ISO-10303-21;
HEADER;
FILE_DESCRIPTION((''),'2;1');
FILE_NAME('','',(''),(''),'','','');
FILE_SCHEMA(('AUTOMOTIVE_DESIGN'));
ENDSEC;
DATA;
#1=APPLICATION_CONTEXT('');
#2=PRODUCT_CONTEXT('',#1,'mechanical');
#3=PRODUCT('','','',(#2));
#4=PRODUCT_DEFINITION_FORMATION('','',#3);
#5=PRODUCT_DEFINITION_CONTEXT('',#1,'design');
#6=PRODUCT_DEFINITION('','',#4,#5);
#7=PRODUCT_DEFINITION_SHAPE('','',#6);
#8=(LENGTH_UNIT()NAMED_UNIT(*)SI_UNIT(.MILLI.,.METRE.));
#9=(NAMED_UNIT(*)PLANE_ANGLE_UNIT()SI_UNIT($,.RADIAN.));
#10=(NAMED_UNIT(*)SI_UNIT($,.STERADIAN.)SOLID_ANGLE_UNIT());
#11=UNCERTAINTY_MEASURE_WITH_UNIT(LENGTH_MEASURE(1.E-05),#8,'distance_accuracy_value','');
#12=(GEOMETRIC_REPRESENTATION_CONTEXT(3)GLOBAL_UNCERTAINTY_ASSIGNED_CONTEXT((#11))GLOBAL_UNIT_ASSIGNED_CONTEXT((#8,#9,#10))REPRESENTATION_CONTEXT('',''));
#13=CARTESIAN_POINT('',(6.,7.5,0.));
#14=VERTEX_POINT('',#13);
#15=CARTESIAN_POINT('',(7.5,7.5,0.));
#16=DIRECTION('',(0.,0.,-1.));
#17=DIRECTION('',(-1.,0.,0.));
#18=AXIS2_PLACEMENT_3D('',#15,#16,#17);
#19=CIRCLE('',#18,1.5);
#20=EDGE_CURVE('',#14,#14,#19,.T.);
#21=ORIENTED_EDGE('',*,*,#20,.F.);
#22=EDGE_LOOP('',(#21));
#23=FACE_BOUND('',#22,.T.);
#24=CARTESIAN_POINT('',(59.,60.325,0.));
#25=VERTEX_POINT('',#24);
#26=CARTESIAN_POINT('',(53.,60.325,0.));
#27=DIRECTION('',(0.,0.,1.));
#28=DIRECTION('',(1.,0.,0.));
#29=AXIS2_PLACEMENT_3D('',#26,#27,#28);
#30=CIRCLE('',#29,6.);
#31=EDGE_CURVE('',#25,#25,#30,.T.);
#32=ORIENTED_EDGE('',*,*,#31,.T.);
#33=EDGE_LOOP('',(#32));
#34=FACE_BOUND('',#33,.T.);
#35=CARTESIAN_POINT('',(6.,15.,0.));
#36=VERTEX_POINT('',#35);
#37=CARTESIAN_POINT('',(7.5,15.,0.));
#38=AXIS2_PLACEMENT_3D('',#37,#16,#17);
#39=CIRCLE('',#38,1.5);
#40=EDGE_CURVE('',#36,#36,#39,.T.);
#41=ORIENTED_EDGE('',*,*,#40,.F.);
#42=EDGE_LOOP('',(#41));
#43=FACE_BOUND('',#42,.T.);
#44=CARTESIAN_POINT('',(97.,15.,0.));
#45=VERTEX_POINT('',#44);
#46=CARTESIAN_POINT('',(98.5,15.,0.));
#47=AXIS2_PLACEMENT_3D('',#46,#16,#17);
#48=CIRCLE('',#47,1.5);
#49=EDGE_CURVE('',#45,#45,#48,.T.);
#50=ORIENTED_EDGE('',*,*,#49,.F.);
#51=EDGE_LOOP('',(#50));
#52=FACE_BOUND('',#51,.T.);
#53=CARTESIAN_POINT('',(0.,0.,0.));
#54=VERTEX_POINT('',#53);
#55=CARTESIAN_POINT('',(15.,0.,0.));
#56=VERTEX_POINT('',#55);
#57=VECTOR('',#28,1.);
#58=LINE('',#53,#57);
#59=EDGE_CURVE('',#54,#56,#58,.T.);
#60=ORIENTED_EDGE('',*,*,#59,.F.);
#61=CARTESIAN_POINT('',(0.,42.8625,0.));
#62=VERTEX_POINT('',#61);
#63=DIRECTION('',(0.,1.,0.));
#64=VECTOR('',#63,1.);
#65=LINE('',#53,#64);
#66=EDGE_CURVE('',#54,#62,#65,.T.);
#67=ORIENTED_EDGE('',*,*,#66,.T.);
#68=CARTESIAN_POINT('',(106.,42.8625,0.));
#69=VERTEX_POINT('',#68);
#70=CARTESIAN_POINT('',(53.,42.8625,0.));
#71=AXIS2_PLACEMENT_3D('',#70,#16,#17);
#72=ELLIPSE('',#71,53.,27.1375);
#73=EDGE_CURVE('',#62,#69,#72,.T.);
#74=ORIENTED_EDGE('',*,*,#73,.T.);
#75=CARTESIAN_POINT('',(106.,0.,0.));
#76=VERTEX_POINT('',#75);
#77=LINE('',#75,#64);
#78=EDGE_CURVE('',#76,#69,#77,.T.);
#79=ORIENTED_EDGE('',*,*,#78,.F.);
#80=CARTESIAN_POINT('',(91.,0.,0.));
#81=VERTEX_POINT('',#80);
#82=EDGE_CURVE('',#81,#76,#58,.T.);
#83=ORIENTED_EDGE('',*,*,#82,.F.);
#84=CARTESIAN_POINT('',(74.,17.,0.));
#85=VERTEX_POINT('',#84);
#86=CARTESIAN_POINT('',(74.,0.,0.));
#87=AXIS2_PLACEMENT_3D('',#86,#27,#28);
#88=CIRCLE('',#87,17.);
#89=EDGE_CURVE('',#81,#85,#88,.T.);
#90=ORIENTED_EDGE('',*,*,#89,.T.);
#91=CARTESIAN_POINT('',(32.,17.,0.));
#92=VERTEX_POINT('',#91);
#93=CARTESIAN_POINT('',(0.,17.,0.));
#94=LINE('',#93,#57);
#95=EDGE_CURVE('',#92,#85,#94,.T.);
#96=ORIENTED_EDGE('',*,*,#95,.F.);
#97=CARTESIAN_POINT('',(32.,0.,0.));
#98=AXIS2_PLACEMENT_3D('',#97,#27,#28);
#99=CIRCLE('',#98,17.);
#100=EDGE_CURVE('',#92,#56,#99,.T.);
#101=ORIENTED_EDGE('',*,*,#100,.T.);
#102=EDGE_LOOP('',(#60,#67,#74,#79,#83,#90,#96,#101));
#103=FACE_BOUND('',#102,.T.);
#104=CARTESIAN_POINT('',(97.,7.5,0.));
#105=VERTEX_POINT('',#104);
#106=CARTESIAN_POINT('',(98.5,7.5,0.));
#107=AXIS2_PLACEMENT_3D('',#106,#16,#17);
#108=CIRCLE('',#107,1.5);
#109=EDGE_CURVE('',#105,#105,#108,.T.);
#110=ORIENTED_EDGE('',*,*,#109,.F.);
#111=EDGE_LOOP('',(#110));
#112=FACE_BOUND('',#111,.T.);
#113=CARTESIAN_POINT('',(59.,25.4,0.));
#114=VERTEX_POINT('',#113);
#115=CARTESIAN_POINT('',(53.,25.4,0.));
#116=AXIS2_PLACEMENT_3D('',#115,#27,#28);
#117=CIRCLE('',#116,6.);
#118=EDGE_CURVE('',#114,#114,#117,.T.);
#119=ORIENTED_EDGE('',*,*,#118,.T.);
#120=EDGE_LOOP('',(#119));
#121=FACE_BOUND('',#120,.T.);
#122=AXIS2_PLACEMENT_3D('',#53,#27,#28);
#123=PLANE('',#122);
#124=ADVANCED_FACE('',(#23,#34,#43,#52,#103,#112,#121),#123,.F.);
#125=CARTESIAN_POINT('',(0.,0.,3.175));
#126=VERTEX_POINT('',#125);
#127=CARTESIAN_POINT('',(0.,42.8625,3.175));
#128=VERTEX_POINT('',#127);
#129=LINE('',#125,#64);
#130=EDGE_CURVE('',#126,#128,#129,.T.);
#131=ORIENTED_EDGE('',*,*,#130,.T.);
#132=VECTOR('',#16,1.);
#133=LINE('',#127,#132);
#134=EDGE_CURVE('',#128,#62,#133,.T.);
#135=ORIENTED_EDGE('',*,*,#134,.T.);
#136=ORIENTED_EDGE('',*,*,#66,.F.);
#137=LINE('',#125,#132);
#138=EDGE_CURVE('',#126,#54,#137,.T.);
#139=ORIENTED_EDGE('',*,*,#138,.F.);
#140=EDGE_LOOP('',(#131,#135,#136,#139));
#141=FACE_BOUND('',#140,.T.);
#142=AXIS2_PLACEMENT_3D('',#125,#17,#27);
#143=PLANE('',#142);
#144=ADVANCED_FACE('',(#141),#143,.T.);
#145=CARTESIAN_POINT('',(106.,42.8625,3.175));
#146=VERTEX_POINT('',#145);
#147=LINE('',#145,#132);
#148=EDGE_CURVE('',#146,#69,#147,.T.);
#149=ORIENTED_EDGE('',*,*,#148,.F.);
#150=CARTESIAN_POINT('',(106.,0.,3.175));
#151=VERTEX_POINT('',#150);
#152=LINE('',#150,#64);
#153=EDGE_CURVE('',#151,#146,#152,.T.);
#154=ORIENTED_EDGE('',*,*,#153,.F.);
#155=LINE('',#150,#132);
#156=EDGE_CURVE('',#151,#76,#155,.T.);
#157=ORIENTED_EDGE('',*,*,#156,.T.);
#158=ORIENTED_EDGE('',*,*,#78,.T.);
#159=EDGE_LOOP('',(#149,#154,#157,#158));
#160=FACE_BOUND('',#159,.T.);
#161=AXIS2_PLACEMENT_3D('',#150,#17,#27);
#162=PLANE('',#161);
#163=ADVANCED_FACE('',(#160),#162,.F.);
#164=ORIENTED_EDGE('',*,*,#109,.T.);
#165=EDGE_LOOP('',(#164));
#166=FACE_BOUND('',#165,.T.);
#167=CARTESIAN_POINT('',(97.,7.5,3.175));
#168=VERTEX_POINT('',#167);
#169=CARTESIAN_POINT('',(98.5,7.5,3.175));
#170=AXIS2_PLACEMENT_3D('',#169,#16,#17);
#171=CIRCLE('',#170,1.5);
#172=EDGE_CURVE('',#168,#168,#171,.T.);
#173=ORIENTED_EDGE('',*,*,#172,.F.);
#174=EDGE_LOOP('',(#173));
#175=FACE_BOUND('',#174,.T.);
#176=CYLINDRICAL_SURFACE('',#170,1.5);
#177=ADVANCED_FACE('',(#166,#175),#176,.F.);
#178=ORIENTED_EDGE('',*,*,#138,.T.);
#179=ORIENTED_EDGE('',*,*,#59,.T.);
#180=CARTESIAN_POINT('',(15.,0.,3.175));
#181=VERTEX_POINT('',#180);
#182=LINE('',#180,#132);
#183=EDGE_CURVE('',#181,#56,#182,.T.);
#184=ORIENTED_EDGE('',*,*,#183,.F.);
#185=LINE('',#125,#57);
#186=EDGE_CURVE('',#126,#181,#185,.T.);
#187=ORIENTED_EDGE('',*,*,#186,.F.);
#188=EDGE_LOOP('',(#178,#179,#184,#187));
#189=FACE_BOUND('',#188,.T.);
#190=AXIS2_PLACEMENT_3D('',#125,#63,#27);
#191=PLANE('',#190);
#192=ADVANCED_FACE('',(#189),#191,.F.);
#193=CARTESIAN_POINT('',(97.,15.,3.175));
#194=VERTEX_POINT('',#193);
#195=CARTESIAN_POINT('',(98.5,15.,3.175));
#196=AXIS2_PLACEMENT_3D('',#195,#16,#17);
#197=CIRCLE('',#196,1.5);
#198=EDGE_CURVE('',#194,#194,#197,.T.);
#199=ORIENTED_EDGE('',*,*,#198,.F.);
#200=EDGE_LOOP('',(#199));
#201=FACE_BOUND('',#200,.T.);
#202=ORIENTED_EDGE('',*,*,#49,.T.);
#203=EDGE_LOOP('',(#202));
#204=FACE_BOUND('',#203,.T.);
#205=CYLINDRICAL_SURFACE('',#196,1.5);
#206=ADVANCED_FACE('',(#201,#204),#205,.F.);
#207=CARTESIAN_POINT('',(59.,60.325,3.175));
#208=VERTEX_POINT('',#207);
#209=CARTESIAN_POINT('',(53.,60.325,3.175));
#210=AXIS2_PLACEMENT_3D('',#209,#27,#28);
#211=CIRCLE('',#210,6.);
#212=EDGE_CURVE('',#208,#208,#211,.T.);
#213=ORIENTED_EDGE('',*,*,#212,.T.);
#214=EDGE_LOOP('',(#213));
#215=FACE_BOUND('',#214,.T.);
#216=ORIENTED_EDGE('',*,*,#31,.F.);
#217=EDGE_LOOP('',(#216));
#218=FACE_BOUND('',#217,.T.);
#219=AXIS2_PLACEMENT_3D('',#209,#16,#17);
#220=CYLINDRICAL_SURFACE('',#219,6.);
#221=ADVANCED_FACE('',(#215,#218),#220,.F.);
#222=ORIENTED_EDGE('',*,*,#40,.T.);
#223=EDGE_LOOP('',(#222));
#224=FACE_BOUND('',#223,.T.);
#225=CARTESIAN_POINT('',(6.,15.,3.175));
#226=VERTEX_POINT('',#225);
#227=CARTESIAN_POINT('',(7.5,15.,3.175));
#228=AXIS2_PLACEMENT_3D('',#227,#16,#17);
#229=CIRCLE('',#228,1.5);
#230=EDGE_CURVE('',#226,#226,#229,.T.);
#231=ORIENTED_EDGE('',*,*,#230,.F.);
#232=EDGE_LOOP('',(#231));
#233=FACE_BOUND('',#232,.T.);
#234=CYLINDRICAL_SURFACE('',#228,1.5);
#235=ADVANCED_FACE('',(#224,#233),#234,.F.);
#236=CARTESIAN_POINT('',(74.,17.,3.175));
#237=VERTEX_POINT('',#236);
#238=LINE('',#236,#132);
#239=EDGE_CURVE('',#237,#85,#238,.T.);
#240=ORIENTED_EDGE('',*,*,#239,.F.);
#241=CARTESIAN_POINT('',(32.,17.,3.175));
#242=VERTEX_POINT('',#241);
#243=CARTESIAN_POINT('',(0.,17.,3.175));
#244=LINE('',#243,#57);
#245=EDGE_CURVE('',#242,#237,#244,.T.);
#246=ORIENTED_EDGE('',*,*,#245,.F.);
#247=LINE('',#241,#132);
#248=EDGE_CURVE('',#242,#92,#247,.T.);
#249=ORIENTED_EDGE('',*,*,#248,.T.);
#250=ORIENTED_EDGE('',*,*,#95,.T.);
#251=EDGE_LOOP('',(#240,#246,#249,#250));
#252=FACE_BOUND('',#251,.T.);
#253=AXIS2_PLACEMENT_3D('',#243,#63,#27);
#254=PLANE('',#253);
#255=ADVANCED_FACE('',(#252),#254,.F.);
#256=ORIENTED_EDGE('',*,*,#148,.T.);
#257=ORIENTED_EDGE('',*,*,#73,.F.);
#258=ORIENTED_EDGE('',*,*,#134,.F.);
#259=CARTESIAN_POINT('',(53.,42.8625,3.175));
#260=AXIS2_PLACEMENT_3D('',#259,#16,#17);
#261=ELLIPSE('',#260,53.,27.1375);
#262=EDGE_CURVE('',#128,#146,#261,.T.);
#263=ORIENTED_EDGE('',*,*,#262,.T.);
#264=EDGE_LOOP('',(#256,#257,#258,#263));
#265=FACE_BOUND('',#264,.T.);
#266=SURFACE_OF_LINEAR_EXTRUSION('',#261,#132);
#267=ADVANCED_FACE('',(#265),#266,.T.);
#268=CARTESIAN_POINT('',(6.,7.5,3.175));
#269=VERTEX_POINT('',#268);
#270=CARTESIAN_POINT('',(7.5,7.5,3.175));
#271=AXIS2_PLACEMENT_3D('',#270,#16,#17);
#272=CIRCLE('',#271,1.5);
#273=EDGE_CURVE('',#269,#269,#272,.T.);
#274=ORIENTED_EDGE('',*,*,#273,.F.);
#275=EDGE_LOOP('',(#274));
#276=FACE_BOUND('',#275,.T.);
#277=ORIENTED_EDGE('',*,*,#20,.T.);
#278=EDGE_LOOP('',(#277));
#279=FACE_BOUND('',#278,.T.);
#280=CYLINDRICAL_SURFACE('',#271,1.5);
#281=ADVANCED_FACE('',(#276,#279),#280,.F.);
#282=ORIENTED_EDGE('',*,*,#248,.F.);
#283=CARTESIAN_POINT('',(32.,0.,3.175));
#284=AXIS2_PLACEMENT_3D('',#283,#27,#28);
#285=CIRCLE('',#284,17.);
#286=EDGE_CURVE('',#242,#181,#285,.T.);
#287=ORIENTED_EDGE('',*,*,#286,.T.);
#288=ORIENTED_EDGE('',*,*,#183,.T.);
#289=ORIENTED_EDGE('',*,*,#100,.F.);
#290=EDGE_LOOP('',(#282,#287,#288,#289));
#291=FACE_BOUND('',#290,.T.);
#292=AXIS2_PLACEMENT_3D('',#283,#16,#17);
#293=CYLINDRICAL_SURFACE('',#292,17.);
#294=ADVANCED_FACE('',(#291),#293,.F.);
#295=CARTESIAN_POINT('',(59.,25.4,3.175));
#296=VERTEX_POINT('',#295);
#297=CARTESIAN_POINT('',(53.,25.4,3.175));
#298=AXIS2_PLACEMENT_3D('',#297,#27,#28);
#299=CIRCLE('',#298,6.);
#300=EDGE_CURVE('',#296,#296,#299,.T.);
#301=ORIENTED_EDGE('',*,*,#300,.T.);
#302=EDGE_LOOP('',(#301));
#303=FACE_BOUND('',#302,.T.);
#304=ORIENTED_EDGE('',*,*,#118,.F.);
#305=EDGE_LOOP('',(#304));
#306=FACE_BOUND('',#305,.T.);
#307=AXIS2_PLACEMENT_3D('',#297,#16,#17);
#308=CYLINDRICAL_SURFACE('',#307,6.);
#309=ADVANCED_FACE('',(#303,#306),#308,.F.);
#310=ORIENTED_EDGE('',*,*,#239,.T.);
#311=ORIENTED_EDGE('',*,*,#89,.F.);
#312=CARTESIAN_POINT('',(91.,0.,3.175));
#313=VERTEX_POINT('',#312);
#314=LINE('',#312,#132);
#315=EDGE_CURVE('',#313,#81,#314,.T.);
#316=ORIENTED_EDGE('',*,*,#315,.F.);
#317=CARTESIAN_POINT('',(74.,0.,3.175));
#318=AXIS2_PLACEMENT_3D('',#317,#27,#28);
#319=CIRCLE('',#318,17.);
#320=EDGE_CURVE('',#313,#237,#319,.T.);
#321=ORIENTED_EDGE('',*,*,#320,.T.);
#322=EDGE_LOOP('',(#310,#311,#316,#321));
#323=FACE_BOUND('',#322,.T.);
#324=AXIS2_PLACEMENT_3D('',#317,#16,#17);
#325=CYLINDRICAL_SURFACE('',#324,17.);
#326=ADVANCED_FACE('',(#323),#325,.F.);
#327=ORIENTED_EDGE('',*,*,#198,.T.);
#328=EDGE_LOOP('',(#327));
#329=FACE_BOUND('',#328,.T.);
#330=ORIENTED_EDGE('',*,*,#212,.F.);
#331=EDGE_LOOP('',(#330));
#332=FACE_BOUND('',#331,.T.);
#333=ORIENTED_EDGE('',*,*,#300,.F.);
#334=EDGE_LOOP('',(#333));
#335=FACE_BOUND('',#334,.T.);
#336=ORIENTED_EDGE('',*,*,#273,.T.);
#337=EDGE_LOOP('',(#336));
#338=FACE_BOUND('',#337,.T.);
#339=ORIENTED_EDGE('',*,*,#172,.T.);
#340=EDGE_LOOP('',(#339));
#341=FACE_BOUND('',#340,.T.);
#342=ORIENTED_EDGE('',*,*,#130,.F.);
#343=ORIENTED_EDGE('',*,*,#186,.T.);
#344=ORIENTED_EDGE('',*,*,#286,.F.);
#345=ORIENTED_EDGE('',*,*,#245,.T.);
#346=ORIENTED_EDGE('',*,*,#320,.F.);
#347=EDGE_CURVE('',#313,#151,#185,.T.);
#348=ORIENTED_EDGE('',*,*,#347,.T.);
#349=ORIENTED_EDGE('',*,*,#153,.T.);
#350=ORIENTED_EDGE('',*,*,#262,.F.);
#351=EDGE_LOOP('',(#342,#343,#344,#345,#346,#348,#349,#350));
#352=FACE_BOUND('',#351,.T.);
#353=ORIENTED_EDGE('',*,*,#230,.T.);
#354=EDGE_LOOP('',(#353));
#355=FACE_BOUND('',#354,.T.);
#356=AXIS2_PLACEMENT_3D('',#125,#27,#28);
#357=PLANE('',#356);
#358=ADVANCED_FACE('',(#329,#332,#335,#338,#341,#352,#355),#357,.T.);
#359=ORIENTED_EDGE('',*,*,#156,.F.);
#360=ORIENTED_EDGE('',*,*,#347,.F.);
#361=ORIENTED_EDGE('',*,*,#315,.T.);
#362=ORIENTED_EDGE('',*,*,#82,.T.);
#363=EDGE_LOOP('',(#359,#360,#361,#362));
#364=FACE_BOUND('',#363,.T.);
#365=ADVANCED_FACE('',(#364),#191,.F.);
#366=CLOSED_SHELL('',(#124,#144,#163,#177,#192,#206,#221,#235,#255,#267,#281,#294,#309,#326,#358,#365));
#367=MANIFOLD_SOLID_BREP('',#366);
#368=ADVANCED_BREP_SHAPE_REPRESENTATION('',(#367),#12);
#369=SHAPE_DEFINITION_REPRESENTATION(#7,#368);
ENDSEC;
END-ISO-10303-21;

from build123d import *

# Parameters (mm, degrees)
SKETCH1_R           = 6
BOSS_EXTRUDE1_DEPTH = 3.175
SKETCH4_R           = 1.5
CUT_EXTRUDE2_DEPTH  = 128.067228761
CUT_EXTRUDE4_DEPTH  = 128.067228761


with BuildPart() as part:
    # Sketch1 → Boss-Extrude1 (new body)
    with BuildSketch(Plane.XY):
        with BuildLine():
            ThreePointArc((15, 0), (19.97918472, 12.02081528), (32, 17))
            Line((32, 17), (53, 17))
            Line((53, 17), (74, 17))
            ThreePointArc((74, 17), (86.02081528, 12.02081528), (91, 0))
            Line((91, 0), (106, 0))
            Line((106, 0), (106, 70))
            Line((106, 70), (0, 70))
            Line((0, 70), (0, 0))
            Line((0, 0), (15, 0))
        make_face()
        with Locations((53, 25.4)):
            Circle(SKETCH1_R, mode=Mode.SUBTRACT)
        with Locations((53, 60.325)):
            Circle(SKETCH1_R, mode=Mode.SUBTRACT)
    extrude(amount=BOSS_EXTRUDE1_DEPTH)

    # Sketch4 → Cut-Extrude2 (cut, through all)
    with BuildSketch(Plane(origin=(0, 0, 0), x_dir=(-1, 0, 0), z_dir=(0, 0, -1))):
        with Locations((-7.5, 15)):
            Circle(SKETCH4_R)
        with Locations((-7.5, 7.5)):
            Circle(SKETCH4_R)
        with Locations((-98.5, 7.5)):
            Circle(SKETCH4_R)
        with Locations((-98.5, 15)):
            Circle(SKETCH4_R)
    extrude(amount=-CUT_EXTRUDE2_DEPTH, mode=Mode.SUBTRACT)

    # Sketch6 → Cut-Extrude4 (cut, through all)
    with BuildSketch(Plane(origin=(0, 0, 0), x_dir=(-1, 0, 0), z_dir=(0, 0, -1))):
        with BuildLine():
            add(Edge.make_bspline(
                [(-53, 70), (-106, 70), (-106, 42.8625)],
                knots=[1.570796327, 1.570796327, 1.570796327, 3.141592654, 3.141592654, 3.141592654], degree=2, weights=[1, 0.707106781, 1]))
            Line((-53, 70), (-106, 70))
            Line((-106, 70), (-106, 42.8625))
        make_face()
        with BuildLine():
            add(Edge.make_bspline(
                [(0, 42.8625), (0, 70), (-53, 70)],
                knots=[0, 0, 0, 1.570796327, 1.570796327, 1.570796327], degree=2, weights=[1, 0.707106781, 1]))
            Line((0, 42.8625), (0, 70))
            Line((0, 70), (-53, 70))
        make_face()
    extrude(amount=-CUT_EXTRUDE4_DEPTH, mode=Mode.SUBTRACT)


solid = part.part
